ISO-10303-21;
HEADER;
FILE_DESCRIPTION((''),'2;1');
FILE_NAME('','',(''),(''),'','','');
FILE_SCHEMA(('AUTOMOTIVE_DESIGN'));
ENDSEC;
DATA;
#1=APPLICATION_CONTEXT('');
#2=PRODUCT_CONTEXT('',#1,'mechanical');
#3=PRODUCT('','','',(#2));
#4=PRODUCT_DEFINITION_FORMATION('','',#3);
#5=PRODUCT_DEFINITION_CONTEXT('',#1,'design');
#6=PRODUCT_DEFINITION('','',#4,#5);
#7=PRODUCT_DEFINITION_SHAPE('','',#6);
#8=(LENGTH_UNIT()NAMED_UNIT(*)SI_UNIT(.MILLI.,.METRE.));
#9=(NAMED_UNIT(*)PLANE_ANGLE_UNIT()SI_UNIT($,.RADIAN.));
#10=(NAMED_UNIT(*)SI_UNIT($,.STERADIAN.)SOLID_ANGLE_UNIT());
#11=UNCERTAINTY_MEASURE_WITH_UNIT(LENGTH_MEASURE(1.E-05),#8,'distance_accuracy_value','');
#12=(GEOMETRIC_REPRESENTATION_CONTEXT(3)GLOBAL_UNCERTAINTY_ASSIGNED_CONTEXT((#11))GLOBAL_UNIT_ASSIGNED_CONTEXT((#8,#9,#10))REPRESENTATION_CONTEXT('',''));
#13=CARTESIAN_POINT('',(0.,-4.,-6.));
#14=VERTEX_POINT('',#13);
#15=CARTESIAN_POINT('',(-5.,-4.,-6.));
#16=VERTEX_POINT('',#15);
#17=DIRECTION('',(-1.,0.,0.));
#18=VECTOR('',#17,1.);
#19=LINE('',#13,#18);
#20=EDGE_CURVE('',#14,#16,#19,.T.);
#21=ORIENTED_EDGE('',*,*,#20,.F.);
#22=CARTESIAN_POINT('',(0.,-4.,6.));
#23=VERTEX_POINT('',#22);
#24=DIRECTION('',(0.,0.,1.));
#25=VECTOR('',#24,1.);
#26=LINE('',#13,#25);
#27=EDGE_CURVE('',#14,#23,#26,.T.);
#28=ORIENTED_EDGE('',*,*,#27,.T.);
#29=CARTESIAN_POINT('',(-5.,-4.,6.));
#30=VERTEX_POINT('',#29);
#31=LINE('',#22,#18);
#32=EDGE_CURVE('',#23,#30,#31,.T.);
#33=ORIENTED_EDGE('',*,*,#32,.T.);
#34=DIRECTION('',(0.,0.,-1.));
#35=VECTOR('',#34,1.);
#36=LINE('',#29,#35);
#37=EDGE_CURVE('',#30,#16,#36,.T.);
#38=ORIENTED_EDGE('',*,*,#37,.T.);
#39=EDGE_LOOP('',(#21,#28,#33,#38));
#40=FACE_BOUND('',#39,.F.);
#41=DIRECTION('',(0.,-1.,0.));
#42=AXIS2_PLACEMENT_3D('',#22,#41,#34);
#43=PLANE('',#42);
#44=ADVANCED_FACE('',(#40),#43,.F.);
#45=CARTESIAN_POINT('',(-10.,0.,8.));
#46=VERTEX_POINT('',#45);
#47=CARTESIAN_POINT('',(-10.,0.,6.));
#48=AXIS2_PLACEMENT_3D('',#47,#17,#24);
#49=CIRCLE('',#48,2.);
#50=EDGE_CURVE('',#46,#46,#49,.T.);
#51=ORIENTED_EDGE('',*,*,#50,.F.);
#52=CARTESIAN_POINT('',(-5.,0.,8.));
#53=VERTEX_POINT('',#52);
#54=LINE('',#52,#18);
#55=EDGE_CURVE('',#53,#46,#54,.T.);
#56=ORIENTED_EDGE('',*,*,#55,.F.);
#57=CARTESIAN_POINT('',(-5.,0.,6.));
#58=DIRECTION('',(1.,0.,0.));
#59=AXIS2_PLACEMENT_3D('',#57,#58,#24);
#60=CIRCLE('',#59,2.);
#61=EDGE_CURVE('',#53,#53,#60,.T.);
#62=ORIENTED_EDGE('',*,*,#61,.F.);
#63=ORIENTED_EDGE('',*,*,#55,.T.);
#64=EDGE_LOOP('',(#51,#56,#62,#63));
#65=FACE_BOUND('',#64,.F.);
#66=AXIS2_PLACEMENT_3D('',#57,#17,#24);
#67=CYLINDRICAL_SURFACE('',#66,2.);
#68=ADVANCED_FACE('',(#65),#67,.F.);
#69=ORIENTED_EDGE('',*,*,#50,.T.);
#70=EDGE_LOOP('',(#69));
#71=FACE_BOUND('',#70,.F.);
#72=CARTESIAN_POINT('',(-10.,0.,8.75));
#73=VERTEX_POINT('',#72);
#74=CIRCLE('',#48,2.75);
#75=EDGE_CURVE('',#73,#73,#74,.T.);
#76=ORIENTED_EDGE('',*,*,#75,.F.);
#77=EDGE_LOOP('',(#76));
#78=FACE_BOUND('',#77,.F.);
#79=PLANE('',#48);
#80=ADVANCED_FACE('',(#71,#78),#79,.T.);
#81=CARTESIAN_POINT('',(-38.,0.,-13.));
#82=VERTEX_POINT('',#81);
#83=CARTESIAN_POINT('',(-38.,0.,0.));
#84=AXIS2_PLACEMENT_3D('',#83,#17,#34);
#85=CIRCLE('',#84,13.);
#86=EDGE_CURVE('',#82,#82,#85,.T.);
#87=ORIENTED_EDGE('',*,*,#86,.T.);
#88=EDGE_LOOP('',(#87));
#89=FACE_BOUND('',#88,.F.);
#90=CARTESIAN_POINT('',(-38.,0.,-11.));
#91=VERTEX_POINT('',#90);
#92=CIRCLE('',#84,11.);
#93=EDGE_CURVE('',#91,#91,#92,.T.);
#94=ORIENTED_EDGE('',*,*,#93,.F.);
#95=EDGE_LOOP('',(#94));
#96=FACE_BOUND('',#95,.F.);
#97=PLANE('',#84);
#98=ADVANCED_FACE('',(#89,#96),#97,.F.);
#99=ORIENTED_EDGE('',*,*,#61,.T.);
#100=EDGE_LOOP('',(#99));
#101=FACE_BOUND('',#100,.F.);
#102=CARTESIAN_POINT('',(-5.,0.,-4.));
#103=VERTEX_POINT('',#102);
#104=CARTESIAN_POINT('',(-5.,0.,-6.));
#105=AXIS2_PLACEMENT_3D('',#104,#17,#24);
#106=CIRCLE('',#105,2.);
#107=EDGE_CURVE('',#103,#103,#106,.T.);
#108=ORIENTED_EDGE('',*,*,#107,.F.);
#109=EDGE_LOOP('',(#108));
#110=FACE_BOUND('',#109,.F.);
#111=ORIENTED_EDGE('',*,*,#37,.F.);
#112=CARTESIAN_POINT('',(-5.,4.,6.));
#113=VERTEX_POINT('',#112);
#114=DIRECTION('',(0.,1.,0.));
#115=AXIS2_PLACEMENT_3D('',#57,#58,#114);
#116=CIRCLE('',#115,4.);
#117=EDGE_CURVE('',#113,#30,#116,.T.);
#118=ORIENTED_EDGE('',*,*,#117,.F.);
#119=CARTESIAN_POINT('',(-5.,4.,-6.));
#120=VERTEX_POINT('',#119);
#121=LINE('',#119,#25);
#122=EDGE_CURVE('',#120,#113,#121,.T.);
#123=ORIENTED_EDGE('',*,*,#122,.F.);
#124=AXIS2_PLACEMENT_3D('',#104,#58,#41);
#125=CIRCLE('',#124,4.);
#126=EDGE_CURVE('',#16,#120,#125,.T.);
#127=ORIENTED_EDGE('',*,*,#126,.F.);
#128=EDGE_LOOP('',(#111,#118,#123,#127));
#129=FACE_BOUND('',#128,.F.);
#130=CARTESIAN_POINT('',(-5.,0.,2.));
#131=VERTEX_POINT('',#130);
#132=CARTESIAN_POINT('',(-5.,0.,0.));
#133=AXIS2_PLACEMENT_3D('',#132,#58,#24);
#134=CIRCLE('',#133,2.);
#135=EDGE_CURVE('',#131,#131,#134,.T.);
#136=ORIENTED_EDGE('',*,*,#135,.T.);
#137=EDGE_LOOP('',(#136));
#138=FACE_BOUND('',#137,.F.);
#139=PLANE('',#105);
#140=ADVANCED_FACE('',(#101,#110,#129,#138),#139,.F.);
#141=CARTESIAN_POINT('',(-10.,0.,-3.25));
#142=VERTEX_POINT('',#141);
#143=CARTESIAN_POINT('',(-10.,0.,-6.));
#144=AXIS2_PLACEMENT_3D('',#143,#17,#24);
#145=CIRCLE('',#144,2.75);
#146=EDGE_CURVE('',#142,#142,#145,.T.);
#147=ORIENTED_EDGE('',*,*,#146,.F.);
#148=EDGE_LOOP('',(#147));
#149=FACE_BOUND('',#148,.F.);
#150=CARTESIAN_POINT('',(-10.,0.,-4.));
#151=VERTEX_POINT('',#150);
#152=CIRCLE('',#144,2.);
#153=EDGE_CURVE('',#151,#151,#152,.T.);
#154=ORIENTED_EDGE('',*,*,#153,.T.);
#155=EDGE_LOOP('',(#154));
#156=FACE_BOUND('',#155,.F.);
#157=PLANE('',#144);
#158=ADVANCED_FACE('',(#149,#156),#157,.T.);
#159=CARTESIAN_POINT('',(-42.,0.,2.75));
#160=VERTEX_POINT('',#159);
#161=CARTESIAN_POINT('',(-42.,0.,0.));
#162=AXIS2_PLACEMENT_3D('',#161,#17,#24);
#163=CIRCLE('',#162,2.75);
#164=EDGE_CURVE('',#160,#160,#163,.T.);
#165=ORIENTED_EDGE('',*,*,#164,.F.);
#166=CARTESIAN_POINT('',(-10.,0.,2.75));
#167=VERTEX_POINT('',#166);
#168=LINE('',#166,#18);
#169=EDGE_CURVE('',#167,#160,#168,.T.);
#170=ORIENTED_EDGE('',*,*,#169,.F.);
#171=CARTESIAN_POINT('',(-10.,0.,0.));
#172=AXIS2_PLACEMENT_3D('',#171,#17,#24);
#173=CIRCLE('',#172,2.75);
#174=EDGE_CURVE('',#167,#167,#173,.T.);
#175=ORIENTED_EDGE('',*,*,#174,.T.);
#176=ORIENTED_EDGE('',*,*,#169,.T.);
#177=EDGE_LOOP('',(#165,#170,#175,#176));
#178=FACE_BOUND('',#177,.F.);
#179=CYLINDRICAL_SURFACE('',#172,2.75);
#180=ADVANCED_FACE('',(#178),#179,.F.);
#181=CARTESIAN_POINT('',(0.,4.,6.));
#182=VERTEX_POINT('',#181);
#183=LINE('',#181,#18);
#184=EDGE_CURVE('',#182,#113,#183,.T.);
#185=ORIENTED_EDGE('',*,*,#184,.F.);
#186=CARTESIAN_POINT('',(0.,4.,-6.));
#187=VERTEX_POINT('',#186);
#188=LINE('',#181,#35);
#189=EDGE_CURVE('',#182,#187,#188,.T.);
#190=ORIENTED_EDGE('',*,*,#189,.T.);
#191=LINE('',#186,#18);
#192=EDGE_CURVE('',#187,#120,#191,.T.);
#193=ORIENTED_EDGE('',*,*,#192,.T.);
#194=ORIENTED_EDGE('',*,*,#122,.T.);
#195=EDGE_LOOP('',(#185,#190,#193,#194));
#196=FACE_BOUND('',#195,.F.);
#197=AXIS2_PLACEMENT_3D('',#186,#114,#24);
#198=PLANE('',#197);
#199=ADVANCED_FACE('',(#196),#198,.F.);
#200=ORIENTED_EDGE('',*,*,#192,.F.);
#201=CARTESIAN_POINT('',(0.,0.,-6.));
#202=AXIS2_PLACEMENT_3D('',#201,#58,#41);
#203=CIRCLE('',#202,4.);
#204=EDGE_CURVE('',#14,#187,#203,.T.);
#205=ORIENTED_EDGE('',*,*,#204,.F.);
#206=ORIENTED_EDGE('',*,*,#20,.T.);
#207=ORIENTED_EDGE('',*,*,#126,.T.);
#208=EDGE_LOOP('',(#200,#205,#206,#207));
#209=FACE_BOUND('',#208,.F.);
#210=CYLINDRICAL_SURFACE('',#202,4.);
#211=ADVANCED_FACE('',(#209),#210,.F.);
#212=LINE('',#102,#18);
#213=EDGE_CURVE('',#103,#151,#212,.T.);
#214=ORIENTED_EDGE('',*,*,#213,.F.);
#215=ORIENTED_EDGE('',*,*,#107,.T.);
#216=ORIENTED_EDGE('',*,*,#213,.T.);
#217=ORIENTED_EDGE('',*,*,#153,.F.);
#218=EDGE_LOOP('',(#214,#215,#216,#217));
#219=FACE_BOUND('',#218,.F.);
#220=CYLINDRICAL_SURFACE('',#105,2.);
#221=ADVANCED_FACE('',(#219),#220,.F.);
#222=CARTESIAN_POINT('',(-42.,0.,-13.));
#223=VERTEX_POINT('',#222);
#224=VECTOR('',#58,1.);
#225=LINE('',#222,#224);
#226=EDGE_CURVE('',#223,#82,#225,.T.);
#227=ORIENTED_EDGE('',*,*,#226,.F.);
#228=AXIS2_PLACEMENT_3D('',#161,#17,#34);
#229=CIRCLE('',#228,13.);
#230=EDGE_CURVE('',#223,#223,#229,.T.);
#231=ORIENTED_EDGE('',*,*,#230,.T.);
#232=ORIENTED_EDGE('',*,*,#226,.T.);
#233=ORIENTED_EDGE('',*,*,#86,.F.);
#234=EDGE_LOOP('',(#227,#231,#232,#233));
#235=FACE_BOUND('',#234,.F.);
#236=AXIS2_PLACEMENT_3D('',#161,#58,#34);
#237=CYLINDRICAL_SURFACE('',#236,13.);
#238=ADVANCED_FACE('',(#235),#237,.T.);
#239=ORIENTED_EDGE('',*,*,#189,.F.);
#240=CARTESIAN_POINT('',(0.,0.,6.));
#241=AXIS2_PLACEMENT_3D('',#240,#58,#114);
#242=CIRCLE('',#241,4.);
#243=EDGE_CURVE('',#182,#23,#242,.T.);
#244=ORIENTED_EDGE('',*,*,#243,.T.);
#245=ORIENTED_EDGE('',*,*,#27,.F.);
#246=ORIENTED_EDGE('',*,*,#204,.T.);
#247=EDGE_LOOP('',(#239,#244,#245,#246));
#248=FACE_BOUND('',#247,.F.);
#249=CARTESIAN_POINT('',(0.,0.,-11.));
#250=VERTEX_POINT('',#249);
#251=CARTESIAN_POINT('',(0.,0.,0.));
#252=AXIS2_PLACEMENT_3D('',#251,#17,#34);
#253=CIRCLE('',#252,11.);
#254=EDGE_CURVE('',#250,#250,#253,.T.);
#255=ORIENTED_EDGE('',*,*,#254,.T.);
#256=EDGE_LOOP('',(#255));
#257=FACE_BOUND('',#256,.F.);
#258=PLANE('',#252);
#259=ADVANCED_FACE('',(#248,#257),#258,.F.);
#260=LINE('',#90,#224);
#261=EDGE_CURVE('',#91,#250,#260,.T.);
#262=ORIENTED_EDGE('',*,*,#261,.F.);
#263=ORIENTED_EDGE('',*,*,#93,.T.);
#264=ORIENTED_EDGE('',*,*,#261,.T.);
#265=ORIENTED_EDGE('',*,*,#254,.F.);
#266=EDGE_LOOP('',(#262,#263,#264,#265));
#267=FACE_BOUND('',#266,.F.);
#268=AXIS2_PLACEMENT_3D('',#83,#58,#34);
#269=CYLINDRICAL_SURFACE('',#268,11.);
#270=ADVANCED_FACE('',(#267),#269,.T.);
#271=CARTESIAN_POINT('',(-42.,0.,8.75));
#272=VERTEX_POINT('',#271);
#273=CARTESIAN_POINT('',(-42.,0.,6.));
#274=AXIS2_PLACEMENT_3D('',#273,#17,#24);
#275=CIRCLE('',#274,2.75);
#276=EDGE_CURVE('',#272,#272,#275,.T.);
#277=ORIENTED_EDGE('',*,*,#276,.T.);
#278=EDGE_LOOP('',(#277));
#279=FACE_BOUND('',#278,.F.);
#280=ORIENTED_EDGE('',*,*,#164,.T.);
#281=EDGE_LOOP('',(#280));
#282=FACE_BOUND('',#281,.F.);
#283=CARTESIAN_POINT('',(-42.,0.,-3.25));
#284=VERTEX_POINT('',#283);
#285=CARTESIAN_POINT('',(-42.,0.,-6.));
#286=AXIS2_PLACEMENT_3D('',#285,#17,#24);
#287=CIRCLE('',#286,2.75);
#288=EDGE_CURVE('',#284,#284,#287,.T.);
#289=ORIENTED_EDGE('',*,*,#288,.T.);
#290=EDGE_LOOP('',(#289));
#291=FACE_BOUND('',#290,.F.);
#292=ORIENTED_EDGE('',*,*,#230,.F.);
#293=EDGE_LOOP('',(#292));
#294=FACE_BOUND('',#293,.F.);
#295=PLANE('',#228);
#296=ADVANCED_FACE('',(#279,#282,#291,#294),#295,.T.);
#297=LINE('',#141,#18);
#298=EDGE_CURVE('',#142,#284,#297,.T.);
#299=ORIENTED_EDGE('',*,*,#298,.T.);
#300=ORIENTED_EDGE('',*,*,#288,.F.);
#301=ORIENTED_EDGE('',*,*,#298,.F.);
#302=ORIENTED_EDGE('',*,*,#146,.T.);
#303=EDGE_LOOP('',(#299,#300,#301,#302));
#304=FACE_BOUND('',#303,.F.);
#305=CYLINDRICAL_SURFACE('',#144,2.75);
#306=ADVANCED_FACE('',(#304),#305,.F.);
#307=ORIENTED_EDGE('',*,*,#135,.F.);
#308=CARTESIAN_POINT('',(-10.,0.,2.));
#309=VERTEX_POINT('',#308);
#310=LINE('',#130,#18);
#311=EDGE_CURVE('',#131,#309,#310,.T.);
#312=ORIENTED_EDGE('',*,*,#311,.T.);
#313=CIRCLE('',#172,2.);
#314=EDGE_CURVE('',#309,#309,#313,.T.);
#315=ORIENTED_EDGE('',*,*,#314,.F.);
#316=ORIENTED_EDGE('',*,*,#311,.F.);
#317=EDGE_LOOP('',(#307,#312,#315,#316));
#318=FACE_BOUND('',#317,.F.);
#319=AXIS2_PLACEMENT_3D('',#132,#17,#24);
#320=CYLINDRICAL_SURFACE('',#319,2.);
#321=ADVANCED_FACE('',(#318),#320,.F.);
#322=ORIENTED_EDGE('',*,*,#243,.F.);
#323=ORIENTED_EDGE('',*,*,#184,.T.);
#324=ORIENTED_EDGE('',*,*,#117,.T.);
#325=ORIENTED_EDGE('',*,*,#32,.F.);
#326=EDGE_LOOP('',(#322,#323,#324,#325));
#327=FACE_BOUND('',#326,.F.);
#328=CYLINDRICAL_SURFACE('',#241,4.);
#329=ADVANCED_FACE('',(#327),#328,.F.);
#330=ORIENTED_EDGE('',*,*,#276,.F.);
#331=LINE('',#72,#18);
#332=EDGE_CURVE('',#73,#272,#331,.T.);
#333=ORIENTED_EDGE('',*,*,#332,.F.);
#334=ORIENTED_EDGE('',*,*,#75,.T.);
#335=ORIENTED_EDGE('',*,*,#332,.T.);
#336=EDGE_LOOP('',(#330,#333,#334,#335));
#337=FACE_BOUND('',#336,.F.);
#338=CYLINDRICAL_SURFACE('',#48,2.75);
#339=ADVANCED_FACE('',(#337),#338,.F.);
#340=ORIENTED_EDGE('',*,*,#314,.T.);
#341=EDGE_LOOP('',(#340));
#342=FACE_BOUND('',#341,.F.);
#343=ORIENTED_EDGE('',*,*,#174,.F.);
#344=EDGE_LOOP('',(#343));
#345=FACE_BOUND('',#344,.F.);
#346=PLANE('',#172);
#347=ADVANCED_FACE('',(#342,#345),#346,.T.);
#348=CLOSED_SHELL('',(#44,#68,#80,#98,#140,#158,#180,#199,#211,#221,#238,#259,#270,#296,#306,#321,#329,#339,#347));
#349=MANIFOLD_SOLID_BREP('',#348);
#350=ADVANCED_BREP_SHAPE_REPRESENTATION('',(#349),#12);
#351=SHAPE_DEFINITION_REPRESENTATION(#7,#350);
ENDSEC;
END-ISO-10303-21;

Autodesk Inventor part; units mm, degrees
ref_plane "YZ Plane" through (0, 0, 0) normal (1, 0, 0) x (0, 1, 0)
ref_plane "XZ Plane" through (0, 0, 0) normal (0, 1, 0) x (-1, 0, 0)
ref_plane "XY Plane" through (0, 0, 0) normal (0, 0, 1) x (1, 0, 0)
sketch "Sketch1" plane through (0, 0, 0) normal (0, 1, 0) x (-1, 0, 0)
  line L0 (0, 0) -> (42, 0)
  line L1 (42, 0) -> (42, -13)
  line L2 (42, -13) -> (38, -13)
  line L3 (38, -13) -> (38, -11)
  line L4 (38, -11) -> (0, -11)
  line L5 (0, -11) -> (0, 0)
  dimension "d0" = 22
  dimension "d1" = 38
  dimension "d2" = 26
  dimension "d3" = 4
revolve "Revolution1" add sketch "Sketch1" angle 360 about axis through (0, 0, 0) along (-1, 0, 0)
sketch "Sketch3" plane through (0, 0, 0) normal (0, 1, 0) x (-1, 0, 0)
  line L0 (0, 0) -> (42, 0)
  line L1 (42, 13) -> (42, -13) projected
  line L2 (0, 0) -> (0, 4)
  line L3 (0, 11) -> (0, -11) projected
  line L4 (0, 4) -> (5, 4)
  line L5 (5, 4) -> (5, 2)
  line L6 (5, 2) -> (10, 2)
  line L7 (10, 2) -> (10, 2.75)
  line L8 (10, 2.75) -> (42, 2.75)
  dimension "d16" = 5.5
  dimension "d17" = 8
  dimension "d18" = 4
  dimension "d19" = 5
  dimension "d20" = 5
revolve "Revolution2" cut sketch "Sketch3" angle 360 about axis through (0, 0, 0) along (-1, 0, 0)
pattern_linear "Rectangular Pattern1" count 2 spacing 6 along (0, 0, 1) of "Revolution2"
pattern_linear "Rectangular Pattern2" count 2 spacing 6 along (0, 0, -1) of "Revolution2"
sketch "Sketch4" plane through (0, 0, 0) normal (1, 0, 0) x (0, 0, -1)
  arc A0 (-3, 2.6458) -> (-3, -2.6458) centre (-6, 0) ccw construction
  arc A1 (3, -2.6458) -> (3, 2.6458) centre (6, 0) ccw construction
  circle A2 centre (-6, 0) radius 2 projected
  circle A3 centre (6, 0) radius 2 projected
  line L0 (-6, 0) -> (6, 0) construction
  line L1 (-6, -4) -> (6, -4)
  line L2 (6, 4) -> (-6, 4)
  arc A4 (-6, 4) -> (-6, -4) centre (-6, 0) ccw
  arc A5 (6, -4) -> (6, 4) centre (6, 0) ccw
  point P0 (0, 0)
  point P1 (0, 0)
extrude "Extrusion1" cut sketch "Sketch4" against normal up to surface (5 mm away) contours A2 | A3 | A4 L2 A5 L1
properties part number "029" material "Acetal Resin, White"
